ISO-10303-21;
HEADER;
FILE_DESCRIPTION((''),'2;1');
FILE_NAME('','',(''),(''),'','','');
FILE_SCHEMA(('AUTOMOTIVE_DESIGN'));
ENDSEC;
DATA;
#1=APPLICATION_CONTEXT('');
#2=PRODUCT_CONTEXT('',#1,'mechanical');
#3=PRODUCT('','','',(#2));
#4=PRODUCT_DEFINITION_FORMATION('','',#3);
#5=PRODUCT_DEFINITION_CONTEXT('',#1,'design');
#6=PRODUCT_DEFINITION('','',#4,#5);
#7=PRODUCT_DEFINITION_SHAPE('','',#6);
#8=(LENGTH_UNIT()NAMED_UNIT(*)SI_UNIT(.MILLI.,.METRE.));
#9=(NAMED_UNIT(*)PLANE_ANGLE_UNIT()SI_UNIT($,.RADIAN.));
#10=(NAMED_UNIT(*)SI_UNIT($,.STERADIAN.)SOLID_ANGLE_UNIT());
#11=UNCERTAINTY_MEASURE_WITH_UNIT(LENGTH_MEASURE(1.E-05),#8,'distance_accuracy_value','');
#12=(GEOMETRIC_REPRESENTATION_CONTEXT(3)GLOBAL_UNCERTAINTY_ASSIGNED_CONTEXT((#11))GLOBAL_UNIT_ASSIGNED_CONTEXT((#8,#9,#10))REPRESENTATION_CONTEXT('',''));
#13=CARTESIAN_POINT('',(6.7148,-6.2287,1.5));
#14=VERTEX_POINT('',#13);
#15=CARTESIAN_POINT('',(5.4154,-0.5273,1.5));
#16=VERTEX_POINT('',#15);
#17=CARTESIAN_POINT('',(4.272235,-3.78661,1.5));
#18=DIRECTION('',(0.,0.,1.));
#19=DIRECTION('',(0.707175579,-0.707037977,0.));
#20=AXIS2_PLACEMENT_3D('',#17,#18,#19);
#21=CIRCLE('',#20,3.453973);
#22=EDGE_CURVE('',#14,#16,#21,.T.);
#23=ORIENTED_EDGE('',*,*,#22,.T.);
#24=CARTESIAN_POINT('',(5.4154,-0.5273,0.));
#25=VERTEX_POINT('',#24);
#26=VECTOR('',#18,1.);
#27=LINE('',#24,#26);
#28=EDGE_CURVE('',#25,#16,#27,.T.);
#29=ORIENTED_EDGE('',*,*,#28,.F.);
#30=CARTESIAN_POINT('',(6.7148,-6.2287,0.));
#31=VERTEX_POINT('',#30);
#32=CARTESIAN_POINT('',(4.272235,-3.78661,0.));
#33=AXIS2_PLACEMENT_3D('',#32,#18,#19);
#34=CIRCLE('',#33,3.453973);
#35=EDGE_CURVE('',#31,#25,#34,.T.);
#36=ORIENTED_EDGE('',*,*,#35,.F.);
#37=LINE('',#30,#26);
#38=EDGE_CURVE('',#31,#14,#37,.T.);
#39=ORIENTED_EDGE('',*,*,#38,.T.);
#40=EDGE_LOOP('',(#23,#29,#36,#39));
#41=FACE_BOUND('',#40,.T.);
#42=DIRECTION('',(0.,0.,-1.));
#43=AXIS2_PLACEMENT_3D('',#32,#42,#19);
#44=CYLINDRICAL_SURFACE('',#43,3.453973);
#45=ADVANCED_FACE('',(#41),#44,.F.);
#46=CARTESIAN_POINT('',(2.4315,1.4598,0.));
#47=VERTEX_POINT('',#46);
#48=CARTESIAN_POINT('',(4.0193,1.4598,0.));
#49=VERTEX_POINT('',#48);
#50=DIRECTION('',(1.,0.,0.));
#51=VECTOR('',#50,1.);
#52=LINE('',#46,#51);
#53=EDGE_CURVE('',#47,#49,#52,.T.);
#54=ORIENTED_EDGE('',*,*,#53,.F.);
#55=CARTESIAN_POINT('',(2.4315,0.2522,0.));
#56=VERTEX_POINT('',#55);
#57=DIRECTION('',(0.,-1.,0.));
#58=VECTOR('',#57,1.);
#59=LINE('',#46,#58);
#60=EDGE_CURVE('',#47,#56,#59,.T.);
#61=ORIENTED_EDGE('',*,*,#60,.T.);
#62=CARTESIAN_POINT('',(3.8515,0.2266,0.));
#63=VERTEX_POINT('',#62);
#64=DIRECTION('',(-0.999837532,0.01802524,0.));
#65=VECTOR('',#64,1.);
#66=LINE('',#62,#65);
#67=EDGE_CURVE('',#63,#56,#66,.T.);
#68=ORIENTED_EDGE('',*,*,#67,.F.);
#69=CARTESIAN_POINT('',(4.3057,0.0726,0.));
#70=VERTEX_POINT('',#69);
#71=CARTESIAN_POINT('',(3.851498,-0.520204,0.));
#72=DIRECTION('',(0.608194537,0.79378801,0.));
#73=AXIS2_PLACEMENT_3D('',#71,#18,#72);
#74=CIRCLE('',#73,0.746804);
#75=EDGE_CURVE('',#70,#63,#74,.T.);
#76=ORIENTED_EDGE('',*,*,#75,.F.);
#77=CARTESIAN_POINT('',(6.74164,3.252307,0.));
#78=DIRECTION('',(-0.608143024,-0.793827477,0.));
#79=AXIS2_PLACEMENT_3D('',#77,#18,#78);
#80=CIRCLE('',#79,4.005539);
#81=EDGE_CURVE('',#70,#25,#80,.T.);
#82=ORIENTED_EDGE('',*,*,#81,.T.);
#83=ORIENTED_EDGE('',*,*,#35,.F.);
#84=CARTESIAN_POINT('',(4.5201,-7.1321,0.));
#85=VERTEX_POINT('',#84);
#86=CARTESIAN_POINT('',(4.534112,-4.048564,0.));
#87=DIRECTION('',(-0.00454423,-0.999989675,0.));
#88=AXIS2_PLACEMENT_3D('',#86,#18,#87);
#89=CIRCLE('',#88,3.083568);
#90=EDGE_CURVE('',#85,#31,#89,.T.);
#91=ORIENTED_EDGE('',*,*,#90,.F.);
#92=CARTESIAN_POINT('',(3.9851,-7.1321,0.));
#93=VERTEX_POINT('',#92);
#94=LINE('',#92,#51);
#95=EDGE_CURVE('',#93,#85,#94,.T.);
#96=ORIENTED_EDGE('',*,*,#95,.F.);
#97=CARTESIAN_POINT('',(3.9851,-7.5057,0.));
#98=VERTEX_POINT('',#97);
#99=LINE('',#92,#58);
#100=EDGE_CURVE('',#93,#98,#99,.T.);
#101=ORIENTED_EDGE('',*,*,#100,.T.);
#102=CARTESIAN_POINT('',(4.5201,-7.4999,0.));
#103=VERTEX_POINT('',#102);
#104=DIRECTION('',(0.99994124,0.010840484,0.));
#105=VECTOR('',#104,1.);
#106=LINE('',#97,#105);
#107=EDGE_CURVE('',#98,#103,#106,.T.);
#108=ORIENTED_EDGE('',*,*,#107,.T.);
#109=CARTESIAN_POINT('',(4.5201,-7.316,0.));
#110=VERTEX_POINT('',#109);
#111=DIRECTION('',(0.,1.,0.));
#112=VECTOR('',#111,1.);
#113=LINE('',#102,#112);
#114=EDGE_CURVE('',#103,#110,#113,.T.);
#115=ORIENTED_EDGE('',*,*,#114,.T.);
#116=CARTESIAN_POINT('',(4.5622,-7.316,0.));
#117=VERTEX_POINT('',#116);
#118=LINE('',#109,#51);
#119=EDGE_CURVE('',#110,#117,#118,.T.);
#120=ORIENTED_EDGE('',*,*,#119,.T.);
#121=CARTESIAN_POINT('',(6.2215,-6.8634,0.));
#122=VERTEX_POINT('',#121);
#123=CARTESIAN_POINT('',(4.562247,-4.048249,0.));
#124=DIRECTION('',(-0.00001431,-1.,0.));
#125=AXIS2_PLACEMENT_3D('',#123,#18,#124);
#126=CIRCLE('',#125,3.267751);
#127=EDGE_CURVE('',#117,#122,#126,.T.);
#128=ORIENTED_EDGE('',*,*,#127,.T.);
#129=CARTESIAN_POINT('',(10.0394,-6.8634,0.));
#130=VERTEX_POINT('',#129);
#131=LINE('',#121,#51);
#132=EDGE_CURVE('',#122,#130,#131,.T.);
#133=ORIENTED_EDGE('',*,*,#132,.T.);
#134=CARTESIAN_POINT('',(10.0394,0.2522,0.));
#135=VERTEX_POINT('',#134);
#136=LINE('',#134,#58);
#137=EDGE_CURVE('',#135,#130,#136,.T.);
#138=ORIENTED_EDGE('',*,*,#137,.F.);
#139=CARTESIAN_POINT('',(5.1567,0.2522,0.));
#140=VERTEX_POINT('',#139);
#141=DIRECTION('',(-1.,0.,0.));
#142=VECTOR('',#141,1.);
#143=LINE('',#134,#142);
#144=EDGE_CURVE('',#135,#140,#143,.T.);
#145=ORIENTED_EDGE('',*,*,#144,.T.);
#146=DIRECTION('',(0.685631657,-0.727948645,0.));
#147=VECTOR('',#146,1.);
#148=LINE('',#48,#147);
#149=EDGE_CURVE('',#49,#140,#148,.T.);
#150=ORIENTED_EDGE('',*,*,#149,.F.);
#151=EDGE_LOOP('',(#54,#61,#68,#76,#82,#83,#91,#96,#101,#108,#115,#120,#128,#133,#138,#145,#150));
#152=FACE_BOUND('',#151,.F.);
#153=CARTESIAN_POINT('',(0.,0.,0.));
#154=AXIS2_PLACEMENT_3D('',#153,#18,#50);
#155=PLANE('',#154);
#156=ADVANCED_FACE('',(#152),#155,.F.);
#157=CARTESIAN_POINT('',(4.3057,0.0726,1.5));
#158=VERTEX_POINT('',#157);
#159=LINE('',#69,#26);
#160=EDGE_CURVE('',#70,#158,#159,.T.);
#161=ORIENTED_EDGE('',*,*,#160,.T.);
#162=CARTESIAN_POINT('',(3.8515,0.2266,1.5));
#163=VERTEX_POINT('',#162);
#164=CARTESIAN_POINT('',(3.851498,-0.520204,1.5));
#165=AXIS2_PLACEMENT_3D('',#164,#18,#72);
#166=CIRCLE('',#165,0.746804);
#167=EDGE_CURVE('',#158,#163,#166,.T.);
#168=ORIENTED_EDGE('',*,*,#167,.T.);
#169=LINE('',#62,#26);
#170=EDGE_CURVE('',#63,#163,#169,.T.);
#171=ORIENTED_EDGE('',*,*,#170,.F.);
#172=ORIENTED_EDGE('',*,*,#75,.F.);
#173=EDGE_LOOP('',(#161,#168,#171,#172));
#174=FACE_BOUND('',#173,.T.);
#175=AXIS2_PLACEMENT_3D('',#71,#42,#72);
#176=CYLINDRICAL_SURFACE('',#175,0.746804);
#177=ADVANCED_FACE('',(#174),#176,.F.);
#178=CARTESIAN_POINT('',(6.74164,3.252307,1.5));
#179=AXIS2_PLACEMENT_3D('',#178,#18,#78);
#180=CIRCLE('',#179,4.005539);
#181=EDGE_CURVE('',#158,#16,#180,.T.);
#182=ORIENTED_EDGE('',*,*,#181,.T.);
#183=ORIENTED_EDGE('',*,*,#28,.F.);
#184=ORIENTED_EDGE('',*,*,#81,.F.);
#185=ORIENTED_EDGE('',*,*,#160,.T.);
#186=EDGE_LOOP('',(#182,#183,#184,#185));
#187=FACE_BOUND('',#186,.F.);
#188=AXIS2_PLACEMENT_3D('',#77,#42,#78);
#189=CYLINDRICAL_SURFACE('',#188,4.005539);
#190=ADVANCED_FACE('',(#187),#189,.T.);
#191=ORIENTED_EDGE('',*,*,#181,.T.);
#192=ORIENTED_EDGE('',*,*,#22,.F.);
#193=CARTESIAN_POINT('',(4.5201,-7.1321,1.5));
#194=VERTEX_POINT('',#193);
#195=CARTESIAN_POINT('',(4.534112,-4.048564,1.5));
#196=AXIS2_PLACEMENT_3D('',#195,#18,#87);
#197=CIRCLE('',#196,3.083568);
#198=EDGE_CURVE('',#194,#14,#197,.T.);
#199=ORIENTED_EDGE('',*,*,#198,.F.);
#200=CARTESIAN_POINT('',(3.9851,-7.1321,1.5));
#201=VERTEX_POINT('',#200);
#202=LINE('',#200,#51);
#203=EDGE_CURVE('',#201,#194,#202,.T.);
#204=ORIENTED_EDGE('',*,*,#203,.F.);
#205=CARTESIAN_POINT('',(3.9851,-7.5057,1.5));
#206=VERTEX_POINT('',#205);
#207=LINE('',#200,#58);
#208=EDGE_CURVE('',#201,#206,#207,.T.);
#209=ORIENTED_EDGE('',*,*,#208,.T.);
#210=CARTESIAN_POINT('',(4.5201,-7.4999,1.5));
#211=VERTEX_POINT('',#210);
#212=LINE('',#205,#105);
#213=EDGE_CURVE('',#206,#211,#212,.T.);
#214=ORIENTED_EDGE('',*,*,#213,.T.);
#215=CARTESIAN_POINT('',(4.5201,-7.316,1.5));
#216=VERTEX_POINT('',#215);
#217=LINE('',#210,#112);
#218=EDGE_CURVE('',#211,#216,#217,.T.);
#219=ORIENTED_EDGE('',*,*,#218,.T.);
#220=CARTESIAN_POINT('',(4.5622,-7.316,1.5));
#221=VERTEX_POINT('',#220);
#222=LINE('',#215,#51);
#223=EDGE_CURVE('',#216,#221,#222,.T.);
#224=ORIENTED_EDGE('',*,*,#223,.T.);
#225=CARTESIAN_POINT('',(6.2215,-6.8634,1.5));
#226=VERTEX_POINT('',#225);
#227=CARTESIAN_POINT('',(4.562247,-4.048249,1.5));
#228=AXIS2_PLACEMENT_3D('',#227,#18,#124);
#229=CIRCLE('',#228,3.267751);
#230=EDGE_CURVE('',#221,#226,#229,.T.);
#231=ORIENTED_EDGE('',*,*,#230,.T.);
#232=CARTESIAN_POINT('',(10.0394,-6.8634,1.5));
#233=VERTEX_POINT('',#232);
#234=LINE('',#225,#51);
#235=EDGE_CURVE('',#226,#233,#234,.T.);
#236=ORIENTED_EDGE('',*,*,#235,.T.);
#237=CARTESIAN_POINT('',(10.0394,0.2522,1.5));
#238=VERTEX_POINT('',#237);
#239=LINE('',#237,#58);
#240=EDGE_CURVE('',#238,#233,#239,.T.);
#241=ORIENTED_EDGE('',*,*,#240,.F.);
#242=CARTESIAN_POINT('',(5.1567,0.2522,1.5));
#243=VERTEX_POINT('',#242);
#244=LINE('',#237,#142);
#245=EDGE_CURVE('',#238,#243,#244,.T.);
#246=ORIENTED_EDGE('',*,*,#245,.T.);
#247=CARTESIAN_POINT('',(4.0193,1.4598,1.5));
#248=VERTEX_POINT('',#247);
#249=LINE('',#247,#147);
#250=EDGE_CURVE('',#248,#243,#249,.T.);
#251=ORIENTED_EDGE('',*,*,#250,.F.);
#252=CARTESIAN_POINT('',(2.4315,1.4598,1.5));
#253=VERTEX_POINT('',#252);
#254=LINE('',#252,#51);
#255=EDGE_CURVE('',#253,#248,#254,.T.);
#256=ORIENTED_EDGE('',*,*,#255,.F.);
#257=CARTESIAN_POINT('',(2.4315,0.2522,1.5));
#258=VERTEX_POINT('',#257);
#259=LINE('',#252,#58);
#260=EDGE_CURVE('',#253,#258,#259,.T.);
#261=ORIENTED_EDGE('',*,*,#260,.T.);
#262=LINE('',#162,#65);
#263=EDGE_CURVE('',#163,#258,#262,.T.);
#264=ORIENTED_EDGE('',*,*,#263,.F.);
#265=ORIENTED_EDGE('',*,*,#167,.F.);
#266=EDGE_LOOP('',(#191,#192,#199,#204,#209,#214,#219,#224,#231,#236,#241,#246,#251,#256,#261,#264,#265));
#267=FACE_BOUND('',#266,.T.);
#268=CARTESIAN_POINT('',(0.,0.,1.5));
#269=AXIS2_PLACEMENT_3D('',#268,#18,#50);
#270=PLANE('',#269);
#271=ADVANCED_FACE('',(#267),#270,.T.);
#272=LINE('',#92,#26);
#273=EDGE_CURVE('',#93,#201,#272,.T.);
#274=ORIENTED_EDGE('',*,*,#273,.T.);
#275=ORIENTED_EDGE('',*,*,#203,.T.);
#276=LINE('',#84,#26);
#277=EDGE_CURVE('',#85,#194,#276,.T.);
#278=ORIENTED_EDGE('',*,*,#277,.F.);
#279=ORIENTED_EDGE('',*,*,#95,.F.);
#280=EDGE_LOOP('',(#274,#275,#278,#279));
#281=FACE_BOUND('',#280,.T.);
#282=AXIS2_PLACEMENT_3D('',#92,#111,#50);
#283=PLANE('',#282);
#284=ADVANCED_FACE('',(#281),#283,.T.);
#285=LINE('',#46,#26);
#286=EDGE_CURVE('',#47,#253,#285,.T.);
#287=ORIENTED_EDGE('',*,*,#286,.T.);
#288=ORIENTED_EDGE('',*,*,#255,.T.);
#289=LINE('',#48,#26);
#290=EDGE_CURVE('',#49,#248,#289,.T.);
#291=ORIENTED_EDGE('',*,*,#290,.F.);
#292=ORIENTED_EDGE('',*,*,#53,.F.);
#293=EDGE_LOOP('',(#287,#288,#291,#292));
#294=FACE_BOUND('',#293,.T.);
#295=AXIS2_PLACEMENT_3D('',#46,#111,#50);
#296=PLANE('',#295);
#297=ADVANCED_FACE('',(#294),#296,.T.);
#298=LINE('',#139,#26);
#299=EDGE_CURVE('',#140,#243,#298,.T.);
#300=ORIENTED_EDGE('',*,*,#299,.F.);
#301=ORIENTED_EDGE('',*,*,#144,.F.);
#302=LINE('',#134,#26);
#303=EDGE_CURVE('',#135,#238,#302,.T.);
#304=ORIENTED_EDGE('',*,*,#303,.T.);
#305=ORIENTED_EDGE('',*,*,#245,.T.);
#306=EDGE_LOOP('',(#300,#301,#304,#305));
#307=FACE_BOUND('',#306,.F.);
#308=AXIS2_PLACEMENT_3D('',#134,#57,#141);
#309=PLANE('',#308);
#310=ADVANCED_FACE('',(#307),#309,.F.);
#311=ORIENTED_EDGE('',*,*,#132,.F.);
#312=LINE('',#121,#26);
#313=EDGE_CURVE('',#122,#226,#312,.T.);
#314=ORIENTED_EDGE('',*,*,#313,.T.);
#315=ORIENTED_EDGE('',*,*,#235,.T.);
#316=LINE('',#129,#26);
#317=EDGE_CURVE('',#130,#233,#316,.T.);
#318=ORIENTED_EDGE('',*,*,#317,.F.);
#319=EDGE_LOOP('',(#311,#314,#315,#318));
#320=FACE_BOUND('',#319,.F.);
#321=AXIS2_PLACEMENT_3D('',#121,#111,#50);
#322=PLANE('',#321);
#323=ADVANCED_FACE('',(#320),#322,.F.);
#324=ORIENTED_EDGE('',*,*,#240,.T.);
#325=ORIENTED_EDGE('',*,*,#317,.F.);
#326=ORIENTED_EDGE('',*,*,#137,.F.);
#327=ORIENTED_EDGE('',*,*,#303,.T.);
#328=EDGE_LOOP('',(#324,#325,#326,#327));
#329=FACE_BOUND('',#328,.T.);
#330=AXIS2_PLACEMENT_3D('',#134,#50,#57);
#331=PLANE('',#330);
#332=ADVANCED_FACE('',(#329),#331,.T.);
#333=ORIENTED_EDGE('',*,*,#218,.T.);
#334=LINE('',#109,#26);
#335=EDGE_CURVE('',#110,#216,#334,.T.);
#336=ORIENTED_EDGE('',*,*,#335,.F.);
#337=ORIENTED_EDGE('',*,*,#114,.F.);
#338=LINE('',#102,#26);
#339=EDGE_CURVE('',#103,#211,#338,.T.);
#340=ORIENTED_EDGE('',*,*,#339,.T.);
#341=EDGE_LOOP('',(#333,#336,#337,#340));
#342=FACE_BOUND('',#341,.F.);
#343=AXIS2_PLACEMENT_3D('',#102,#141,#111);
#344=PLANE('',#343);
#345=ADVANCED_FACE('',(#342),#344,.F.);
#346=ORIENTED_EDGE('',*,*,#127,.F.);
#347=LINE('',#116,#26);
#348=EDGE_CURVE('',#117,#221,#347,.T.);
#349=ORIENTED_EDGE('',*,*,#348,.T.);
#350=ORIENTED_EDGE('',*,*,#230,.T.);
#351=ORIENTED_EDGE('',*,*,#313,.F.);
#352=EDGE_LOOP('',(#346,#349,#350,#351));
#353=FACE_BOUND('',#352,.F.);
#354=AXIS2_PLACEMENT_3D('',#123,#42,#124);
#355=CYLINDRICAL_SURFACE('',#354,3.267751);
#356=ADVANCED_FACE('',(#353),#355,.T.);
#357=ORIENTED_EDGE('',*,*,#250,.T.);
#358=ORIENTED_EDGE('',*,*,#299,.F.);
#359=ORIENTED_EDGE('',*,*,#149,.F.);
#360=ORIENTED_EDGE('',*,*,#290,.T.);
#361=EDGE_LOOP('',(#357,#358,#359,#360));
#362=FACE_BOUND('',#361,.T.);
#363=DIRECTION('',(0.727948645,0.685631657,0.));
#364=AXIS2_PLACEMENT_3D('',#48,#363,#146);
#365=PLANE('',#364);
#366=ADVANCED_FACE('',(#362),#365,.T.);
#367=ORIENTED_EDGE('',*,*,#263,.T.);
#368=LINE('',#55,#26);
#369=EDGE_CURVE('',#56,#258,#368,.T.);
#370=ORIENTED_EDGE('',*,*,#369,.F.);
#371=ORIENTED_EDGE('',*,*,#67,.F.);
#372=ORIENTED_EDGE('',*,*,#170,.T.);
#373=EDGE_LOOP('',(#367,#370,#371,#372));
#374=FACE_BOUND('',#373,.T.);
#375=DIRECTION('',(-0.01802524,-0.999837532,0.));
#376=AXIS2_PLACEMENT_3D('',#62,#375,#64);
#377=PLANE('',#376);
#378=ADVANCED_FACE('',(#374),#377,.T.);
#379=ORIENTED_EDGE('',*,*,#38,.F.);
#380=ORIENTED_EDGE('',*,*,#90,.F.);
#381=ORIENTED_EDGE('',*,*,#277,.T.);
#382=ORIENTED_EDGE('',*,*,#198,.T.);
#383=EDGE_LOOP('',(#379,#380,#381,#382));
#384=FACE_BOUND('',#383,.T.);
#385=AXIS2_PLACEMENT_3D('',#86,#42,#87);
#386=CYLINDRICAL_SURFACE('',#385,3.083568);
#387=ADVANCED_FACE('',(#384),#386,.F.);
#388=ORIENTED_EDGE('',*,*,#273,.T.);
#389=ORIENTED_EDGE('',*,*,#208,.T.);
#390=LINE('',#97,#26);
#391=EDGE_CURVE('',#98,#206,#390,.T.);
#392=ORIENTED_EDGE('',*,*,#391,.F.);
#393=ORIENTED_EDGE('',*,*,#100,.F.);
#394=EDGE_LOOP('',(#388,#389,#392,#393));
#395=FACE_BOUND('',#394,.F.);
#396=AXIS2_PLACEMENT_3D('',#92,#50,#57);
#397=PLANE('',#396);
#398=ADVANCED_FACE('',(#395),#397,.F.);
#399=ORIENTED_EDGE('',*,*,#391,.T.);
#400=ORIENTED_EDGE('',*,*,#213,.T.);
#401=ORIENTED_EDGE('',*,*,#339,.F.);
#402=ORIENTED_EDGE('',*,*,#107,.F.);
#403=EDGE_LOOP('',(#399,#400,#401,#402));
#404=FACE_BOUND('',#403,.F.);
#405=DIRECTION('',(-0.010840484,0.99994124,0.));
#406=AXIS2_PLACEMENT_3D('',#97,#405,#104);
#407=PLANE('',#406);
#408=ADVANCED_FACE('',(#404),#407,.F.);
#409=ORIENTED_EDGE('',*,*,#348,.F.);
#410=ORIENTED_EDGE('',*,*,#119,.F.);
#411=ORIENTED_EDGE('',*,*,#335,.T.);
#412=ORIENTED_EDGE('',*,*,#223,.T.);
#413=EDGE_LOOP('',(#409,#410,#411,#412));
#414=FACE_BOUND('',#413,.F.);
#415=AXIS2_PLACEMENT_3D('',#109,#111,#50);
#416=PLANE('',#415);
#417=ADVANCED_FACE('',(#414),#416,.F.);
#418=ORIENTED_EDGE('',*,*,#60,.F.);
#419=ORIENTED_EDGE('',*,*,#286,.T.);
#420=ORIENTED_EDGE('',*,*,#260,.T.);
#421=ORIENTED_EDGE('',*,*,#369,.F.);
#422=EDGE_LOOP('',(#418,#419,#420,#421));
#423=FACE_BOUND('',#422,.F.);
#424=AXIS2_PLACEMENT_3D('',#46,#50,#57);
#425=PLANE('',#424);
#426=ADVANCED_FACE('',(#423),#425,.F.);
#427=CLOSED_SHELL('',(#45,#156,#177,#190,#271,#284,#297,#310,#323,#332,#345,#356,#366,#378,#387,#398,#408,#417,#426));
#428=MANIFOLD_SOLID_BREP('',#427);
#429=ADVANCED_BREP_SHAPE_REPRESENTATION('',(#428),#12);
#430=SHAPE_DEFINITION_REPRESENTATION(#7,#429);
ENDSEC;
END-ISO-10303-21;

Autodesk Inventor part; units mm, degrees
ref_plane "YZ Plane" through (0, 0, 0) normal (1, 0, 0) x (0, 1, 0)
ref_plane "XZ Plane" through (0, 0, 0) normal (0, 1, 0) x (-1, 0, 0)
ref_plane "XY Plane" through (0, 0, 0) normal (0, 0, 1) x (1, 0, 0)
sketch "Sketch1" plane through (0, 0, 0) normal (0, 0, 1) x (1, 0, 0)
  line L0 (2.4315, 1.4598) -> (2.4315, 0.2522)
  line L1 (3.9851, -7.1321) -> (3.9851, -7.5057)
  line L2 (10.0394, 0.2522) -> (10.0394, -6.8634)
  line L3 (3.9851, -7.5057) -> (4.5201, -7.4999)
  line L4 (2.4315, 1.4598) -> (4.0193, 1.4598)
  line L5 (4.0193, 1.4598) -> (5.1567, 0.2522)
  line L6 (10.0394, 0.2522) -> (5.1567, 0.2522)
  line L7 (3.8515, 0.2266) -> (2.4315, 0.2522)
  line L8 (3.9851, -7.1321) -> (4.5201, -7.1321)
  line L9 (-0.7118, -7.1321) -> (4.5201, -7.1321) construction
  line L10 (2.5773, -7.521) -> (4.9849, -7.4948) construction
  line L11 (4.5201, -7.4999) -> (4.5201, -7.1321) construction
  line L12 (4.5201, -7.316) -> (4.5622, -7.316)
  arc A0 (4.5622, -7.316) -> (6.2215, -6.8634) centre (4.5622, -4.0479) ccw
  line L13 (6.7434, -6.8634) -> (10.5583, -6.8634) construction
  line L14 (4.5201, -7.4999) -> (4.5201, -7.316)
  line L15 (6.2215, -6.8634) -> (10.0394, -6.8634)
  arc A1 (6.7148, -6.2287) -> (5.4154, -0.5273) centre (4.2722, -3.7866) ccw
  arc A2 (4.3057, 0.0726) -> (5.4154, -0.5273) centre (6.7406, 3.2507) ccw
  arc A3 (4.3057, 0.0726) -> (3.8515, 0.2266) centre (3.8515, -0.5202) ccw
  arc A4 (4.5201, -7.1321) -> (6.7148, -6.2287) centre (4.5341, -4.0485) ccw
  point P0 (0, 0)
extrude "Plate2" add sketch "Sketch1" along normal blind 1.5
equation "\"d1\" = Thickness"
equation "\"BendRadius\" = Thickness"
equation "\"BendReliefWidth\" = Thickness"
equation "\"BendReliefDepth\" = 0.5 * Thickness"
equation "\"CornerReliefSize\" = 4 * Thickness"
equation "\"MinimumRemnant\" = 2 * Thickness"
equation "\"TransitionRadius\" = BendRadius"
equation "\"JacobiRadiusSize\" = BendRadius"
equation "\"GapSize\" = Thickness"
equation "\"Thickness\" = 1.5"
properties part number "TRIGGER_1"
